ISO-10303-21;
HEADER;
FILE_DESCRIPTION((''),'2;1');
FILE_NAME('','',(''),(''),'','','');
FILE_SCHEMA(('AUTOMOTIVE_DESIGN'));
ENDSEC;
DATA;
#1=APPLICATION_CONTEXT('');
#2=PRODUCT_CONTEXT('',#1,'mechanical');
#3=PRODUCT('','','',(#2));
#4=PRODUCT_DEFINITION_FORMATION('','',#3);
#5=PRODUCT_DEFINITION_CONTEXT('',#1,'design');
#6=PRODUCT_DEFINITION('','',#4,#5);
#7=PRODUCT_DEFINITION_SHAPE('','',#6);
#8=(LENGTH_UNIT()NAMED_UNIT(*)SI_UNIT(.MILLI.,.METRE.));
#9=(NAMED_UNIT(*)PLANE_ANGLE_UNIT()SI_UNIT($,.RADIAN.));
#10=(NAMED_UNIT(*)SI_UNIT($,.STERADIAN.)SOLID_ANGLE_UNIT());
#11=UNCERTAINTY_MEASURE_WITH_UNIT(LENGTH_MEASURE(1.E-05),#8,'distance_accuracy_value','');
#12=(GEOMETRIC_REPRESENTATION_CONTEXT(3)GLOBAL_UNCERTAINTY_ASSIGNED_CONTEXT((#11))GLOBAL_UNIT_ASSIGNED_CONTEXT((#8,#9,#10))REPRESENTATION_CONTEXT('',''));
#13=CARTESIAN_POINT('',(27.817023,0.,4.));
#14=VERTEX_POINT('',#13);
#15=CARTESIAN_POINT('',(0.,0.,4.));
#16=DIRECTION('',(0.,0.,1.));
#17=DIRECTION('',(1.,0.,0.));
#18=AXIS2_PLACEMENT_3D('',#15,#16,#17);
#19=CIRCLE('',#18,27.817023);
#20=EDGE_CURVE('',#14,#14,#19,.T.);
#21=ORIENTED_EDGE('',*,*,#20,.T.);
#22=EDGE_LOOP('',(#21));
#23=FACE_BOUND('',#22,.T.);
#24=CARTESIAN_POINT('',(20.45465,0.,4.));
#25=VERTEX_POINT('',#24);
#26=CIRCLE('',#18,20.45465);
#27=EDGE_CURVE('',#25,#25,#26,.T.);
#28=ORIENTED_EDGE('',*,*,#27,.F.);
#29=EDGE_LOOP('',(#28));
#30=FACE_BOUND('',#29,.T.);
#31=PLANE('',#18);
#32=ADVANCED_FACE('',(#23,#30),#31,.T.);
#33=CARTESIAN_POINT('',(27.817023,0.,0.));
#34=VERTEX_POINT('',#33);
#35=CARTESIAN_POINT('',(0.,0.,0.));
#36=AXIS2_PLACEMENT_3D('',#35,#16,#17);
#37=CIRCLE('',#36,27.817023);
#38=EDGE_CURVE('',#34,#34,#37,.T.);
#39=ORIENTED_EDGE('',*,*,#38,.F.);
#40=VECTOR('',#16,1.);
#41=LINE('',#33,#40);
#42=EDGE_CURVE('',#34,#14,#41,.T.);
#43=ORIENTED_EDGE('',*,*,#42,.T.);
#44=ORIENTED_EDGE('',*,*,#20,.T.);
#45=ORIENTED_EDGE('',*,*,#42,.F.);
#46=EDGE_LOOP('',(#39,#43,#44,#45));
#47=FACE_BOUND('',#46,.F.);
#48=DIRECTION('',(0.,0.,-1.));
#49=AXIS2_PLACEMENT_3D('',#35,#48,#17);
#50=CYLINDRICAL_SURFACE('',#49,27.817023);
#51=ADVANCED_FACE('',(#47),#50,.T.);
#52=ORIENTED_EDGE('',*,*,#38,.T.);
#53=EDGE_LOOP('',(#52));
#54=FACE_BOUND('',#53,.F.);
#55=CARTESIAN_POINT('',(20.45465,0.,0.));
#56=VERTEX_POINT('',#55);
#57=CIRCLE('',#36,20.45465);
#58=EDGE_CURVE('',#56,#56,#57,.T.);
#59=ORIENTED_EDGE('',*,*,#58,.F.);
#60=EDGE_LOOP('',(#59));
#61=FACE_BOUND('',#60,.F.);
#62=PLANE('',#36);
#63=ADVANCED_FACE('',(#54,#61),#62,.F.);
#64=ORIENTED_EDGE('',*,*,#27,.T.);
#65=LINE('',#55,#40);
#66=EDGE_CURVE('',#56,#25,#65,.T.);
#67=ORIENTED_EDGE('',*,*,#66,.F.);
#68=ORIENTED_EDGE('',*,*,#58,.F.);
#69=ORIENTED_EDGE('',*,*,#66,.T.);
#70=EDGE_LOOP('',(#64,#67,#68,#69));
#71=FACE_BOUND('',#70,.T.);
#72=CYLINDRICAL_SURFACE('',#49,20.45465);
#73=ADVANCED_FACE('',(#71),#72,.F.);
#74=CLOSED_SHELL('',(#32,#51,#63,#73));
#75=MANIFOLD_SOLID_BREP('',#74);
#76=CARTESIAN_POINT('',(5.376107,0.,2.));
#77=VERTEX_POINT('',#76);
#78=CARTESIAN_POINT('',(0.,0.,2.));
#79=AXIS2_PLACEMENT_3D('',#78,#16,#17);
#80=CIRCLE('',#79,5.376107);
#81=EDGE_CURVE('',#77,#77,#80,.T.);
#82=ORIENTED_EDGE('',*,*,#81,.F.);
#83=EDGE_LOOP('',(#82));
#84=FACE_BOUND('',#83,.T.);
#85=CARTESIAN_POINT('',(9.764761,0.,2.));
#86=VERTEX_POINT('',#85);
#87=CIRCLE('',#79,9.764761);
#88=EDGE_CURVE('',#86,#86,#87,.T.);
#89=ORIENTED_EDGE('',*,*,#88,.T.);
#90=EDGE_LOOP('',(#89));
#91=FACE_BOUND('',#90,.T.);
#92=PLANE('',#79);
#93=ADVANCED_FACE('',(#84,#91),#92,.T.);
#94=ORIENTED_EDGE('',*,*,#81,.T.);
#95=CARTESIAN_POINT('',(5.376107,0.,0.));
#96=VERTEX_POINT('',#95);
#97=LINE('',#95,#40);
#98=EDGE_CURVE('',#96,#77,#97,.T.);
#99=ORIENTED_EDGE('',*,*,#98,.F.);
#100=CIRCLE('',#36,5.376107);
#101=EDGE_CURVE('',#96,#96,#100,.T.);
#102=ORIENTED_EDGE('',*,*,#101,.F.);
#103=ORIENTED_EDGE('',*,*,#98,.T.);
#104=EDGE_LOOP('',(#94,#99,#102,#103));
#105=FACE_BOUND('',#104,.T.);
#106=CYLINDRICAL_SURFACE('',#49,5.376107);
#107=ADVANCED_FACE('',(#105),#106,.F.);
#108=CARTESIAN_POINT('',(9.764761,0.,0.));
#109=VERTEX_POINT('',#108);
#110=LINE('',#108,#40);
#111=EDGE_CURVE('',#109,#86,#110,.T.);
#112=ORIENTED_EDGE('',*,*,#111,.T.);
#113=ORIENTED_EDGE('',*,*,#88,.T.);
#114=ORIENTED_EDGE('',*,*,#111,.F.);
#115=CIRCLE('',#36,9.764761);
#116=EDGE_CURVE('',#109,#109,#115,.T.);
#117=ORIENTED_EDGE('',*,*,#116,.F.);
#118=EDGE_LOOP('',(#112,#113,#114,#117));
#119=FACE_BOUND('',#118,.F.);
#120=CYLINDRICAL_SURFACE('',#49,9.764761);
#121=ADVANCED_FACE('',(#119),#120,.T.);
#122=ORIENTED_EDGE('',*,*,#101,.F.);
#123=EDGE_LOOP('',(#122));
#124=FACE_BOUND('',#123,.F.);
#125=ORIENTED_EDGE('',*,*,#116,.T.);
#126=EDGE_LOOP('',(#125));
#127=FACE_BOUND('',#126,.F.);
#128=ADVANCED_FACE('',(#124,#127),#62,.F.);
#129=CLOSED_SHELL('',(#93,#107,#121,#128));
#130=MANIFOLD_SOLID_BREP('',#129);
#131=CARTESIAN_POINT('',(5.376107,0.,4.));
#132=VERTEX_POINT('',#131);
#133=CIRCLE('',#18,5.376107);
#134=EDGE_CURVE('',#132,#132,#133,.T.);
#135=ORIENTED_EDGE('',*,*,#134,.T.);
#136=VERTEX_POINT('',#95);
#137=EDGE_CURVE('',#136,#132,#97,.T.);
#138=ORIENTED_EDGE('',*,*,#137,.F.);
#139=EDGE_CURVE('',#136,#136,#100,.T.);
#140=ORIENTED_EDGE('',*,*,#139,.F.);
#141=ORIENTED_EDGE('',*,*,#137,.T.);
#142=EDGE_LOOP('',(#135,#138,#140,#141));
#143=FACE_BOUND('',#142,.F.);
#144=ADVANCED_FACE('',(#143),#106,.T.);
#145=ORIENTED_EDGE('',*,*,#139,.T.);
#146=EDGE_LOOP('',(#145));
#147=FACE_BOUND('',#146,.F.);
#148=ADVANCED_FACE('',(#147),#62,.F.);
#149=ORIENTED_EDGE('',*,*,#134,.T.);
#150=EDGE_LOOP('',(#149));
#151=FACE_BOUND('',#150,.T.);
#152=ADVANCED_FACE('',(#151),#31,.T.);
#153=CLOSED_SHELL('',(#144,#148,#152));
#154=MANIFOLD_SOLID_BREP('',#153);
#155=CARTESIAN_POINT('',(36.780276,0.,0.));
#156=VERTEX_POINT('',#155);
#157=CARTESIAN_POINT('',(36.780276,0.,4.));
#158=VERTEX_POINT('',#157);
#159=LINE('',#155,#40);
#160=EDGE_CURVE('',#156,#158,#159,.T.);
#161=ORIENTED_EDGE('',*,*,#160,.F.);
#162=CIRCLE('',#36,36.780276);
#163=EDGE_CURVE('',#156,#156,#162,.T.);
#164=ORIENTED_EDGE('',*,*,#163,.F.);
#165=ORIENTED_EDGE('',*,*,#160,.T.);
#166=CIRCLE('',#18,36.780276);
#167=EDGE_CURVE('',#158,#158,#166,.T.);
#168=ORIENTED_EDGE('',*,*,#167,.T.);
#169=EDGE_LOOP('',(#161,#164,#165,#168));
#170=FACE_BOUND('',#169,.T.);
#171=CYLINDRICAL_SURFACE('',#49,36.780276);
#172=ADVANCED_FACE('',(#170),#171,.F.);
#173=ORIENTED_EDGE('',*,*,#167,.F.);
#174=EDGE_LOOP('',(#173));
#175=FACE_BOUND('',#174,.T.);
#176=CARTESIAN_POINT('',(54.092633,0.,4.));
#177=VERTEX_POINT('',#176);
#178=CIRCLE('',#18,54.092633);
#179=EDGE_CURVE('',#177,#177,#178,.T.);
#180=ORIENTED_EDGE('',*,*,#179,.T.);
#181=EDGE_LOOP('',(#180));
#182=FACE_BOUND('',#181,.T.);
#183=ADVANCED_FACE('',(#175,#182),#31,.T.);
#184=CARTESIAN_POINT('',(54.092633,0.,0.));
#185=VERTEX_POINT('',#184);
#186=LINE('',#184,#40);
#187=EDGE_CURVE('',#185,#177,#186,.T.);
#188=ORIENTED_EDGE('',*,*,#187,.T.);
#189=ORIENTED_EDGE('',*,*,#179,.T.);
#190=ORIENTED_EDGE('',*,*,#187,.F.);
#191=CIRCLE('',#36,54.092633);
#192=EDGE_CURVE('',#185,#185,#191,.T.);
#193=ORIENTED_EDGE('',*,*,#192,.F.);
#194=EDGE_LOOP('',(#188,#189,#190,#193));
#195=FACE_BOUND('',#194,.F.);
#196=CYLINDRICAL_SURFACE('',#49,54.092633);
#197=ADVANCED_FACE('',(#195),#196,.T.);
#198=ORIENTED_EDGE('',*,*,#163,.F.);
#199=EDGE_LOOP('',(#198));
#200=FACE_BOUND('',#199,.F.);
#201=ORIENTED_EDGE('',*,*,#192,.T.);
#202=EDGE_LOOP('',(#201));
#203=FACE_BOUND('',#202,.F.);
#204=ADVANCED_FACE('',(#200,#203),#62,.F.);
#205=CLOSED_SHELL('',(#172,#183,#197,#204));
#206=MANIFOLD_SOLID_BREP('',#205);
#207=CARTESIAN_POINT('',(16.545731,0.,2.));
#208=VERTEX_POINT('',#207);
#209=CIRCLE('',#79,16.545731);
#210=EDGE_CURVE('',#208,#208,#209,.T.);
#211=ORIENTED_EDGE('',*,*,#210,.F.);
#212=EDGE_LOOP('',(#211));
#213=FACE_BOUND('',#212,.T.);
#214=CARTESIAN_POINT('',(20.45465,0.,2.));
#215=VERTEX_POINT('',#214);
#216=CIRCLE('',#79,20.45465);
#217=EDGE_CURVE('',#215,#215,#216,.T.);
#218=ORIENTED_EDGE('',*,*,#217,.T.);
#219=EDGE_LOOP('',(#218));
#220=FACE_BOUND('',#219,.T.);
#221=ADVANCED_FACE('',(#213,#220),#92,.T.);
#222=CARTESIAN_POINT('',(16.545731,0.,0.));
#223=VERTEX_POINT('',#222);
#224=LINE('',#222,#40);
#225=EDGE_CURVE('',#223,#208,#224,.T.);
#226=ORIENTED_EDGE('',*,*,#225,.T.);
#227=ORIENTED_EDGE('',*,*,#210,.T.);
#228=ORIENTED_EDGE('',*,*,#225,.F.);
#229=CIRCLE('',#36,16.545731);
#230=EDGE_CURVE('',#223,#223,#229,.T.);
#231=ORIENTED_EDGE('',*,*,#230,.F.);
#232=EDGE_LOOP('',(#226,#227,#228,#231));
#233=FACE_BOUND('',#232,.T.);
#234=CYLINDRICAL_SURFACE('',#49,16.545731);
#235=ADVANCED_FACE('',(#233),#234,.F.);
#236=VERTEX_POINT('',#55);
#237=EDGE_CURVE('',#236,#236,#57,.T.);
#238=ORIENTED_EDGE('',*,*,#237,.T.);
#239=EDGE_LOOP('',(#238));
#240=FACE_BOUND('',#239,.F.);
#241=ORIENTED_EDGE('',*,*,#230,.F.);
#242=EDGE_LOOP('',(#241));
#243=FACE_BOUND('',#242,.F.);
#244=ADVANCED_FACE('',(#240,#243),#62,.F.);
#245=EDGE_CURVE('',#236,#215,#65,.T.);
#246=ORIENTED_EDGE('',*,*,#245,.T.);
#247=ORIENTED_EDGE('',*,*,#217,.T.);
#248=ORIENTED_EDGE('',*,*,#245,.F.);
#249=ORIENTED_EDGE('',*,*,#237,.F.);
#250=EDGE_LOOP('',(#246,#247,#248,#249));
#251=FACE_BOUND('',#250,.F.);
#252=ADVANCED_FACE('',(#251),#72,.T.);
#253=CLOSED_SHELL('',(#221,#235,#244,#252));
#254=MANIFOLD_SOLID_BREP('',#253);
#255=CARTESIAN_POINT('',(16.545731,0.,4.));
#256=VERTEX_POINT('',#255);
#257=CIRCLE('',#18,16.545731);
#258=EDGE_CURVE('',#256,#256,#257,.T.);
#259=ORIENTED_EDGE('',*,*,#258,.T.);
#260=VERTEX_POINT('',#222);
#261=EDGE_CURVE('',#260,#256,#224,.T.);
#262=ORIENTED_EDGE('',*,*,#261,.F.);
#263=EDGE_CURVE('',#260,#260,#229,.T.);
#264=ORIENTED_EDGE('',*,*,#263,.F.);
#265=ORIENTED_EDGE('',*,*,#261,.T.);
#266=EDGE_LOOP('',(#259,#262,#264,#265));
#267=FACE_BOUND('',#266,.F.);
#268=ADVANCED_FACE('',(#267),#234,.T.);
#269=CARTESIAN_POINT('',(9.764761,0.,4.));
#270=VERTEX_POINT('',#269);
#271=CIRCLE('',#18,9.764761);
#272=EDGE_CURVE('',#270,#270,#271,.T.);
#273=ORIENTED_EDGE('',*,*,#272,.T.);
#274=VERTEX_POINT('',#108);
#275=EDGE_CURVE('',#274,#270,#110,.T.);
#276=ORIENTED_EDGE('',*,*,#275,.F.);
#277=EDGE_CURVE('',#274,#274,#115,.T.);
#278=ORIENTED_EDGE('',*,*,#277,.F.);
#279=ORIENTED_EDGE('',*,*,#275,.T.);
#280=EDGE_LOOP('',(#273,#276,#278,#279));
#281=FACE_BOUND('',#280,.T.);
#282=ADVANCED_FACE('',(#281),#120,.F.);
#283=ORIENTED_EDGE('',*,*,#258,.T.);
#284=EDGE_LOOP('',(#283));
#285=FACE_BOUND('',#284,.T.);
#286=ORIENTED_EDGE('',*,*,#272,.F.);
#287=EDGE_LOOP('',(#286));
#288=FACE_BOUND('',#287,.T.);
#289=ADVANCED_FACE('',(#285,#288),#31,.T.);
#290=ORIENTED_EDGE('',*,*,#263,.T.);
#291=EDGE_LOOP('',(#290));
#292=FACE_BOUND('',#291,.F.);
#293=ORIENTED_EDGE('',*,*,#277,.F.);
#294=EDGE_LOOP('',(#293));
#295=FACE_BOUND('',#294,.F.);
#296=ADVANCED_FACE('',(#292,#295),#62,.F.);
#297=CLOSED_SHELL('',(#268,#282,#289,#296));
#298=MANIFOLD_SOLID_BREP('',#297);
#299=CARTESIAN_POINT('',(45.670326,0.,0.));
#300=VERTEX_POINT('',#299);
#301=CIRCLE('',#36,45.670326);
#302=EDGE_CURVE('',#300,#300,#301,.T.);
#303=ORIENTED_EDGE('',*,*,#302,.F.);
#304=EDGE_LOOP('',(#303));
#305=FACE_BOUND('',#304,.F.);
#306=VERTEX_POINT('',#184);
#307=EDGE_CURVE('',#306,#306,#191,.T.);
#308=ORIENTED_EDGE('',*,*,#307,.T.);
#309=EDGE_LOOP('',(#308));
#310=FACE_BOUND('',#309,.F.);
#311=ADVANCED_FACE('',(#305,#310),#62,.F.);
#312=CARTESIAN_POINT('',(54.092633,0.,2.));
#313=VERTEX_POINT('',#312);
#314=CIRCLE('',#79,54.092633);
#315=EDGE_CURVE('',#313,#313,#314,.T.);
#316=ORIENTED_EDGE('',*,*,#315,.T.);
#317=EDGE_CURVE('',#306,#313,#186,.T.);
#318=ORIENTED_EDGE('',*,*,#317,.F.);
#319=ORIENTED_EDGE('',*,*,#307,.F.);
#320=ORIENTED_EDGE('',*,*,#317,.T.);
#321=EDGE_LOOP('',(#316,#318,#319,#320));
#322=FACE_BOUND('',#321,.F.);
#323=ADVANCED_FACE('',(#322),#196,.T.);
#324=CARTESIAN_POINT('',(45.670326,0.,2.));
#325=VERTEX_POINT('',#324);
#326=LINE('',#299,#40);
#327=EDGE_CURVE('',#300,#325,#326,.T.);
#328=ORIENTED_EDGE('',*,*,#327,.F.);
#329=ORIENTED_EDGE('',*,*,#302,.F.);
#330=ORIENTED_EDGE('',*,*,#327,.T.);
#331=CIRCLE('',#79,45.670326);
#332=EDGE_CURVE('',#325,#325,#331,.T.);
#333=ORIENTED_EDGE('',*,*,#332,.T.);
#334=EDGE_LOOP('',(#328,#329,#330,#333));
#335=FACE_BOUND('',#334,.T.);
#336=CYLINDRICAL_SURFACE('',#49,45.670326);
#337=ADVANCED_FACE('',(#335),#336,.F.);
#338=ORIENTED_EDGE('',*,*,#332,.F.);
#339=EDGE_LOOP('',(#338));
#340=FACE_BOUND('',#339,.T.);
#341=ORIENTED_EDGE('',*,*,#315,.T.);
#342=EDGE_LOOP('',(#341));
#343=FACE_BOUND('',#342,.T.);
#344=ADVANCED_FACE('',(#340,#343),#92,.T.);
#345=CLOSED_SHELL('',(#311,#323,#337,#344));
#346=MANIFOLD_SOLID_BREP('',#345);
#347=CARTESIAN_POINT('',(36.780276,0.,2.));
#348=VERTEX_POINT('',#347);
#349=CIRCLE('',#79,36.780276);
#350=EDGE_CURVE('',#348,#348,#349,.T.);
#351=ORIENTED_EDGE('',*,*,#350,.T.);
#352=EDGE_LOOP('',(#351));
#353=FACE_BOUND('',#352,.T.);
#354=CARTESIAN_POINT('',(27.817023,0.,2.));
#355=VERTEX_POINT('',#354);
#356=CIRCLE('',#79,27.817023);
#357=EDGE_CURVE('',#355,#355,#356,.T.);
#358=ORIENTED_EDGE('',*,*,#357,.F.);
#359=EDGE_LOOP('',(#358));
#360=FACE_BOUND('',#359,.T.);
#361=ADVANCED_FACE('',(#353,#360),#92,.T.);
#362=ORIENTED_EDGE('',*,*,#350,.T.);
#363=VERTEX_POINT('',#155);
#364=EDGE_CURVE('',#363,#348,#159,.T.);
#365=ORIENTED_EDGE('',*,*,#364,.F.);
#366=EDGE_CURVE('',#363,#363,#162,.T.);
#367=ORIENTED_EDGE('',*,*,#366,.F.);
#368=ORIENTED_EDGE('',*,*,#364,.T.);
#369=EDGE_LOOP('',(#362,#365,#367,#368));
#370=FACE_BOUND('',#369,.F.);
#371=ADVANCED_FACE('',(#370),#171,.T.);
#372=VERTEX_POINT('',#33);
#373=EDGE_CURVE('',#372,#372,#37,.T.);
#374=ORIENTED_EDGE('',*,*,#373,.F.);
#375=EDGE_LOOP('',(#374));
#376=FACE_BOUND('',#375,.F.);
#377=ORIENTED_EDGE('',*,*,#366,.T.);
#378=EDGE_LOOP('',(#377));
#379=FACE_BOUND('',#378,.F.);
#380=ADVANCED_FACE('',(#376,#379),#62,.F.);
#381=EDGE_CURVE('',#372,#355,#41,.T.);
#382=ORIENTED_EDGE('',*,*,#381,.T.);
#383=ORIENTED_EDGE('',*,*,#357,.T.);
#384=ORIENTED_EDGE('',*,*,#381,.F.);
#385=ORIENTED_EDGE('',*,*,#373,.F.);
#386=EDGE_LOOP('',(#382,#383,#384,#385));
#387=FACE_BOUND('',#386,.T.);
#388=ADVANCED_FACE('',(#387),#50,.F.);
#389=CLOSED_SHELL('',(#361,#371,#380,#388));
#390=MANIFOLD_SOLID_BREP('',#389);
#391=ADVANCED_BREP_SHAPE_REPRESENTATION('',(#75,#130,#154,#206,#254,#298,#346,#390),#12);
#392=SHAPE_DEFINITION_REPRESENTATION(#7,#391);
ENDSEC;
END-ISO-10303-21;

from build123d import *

# Parameters (mm, degrees)
F0_R     = 9.764761451
F0_R_2   = 5.3761065938
F1_DEPTH = 2
F0_R_3   = 36.7802763419
F0_R_4   = 27.8170231567
F0_R_5   = 20.4546501633
F0_R_6   = 16.5457306789
F0_R_7   = 54.0926326678
F0_R_8   = 45.670326034
F2_DEPTH = 4


with BuildPart() as f1:
    # F0 (on Top) → F1 (new body)
    with BuildSketch(Plane.XY):
        Circle(F0_R)
        Circle(F0_R_2, mode=Mode.SUBTRACT)
    extrude(amount=F1_DEPTH)


with BuildPart() as f1b:
    # F0 (on Top) → F1, piece 2 (new body)
    with BuildSketch(Plane.XY):
        Circle(F0_R_3)
        Circle(F0_R_4, mode=Mode.SUBTRACT)
    extrude(amount=F1_DEPTH)


with BuildPart() as f1c:
    # F0 (on Top) → F1, piece 3 (new body)
    with BuildSketch(Plane.XY):
        Circle(F0_R_5)
        Circle(F0_R_6, mode=Mode.SUBTRACT)
    extrude(amount=F1_DEPTH)


with BuildPart() as f1d:
    # F0 (on Top) → F1, piece 4 (new body)
    with BuildSketch(Plane.XY):
        Circle(F0_R_7)
        Circle(F0_R_8, mode=Mode.SUBTRACT)
    extrude(amount=F1_DEPTH)


with BuildPart() as f2:
    # F0 (on Top) → F2 (new body)
    with BuildSketch(Plane.XY):
        Circle(F0_R_7)
        Circle(F0_R_8, mode=Mode.SUBTRACT)
        Circle(F0_R_8)
        Circle(F0_R_3, mode=Mode.SUBTRACT)
    extrude(amount=F2_DEPTH)


with BuildPart() as f2b:
    # F0 (on Top) → F2, piece 2 (new body)
    with BuildSketch(Plane.XY):
        Circle(F0_R_4)
        Circle(F0_R_5, mode=Mode.SUBTRACT)
    extrude(amount=F2_DEPTH)


with BuildPart() as f2c:
    # F0 (on Top) → F2, piece 3 (new body)
    with BuildSketch(Plane.XY):
        Circle(F0_R_6)
        Circle(F0_R, mode=Mode.SUBTRACT)
    extrude(amount=F2_DEPTH)


with BuildPart() as f2d:
    # F0 (on Top) → F2, piece 4 (new body)
    with BuildSketch(Plane.XY):
        Circle(F0_R_2)
    extrude(amount=F2_DEPTH)


solid = Compound([f1.part, f1b.part, f1c.part, f1d.part, f2.part, f2b.part, f2c.part, f2d.part])
